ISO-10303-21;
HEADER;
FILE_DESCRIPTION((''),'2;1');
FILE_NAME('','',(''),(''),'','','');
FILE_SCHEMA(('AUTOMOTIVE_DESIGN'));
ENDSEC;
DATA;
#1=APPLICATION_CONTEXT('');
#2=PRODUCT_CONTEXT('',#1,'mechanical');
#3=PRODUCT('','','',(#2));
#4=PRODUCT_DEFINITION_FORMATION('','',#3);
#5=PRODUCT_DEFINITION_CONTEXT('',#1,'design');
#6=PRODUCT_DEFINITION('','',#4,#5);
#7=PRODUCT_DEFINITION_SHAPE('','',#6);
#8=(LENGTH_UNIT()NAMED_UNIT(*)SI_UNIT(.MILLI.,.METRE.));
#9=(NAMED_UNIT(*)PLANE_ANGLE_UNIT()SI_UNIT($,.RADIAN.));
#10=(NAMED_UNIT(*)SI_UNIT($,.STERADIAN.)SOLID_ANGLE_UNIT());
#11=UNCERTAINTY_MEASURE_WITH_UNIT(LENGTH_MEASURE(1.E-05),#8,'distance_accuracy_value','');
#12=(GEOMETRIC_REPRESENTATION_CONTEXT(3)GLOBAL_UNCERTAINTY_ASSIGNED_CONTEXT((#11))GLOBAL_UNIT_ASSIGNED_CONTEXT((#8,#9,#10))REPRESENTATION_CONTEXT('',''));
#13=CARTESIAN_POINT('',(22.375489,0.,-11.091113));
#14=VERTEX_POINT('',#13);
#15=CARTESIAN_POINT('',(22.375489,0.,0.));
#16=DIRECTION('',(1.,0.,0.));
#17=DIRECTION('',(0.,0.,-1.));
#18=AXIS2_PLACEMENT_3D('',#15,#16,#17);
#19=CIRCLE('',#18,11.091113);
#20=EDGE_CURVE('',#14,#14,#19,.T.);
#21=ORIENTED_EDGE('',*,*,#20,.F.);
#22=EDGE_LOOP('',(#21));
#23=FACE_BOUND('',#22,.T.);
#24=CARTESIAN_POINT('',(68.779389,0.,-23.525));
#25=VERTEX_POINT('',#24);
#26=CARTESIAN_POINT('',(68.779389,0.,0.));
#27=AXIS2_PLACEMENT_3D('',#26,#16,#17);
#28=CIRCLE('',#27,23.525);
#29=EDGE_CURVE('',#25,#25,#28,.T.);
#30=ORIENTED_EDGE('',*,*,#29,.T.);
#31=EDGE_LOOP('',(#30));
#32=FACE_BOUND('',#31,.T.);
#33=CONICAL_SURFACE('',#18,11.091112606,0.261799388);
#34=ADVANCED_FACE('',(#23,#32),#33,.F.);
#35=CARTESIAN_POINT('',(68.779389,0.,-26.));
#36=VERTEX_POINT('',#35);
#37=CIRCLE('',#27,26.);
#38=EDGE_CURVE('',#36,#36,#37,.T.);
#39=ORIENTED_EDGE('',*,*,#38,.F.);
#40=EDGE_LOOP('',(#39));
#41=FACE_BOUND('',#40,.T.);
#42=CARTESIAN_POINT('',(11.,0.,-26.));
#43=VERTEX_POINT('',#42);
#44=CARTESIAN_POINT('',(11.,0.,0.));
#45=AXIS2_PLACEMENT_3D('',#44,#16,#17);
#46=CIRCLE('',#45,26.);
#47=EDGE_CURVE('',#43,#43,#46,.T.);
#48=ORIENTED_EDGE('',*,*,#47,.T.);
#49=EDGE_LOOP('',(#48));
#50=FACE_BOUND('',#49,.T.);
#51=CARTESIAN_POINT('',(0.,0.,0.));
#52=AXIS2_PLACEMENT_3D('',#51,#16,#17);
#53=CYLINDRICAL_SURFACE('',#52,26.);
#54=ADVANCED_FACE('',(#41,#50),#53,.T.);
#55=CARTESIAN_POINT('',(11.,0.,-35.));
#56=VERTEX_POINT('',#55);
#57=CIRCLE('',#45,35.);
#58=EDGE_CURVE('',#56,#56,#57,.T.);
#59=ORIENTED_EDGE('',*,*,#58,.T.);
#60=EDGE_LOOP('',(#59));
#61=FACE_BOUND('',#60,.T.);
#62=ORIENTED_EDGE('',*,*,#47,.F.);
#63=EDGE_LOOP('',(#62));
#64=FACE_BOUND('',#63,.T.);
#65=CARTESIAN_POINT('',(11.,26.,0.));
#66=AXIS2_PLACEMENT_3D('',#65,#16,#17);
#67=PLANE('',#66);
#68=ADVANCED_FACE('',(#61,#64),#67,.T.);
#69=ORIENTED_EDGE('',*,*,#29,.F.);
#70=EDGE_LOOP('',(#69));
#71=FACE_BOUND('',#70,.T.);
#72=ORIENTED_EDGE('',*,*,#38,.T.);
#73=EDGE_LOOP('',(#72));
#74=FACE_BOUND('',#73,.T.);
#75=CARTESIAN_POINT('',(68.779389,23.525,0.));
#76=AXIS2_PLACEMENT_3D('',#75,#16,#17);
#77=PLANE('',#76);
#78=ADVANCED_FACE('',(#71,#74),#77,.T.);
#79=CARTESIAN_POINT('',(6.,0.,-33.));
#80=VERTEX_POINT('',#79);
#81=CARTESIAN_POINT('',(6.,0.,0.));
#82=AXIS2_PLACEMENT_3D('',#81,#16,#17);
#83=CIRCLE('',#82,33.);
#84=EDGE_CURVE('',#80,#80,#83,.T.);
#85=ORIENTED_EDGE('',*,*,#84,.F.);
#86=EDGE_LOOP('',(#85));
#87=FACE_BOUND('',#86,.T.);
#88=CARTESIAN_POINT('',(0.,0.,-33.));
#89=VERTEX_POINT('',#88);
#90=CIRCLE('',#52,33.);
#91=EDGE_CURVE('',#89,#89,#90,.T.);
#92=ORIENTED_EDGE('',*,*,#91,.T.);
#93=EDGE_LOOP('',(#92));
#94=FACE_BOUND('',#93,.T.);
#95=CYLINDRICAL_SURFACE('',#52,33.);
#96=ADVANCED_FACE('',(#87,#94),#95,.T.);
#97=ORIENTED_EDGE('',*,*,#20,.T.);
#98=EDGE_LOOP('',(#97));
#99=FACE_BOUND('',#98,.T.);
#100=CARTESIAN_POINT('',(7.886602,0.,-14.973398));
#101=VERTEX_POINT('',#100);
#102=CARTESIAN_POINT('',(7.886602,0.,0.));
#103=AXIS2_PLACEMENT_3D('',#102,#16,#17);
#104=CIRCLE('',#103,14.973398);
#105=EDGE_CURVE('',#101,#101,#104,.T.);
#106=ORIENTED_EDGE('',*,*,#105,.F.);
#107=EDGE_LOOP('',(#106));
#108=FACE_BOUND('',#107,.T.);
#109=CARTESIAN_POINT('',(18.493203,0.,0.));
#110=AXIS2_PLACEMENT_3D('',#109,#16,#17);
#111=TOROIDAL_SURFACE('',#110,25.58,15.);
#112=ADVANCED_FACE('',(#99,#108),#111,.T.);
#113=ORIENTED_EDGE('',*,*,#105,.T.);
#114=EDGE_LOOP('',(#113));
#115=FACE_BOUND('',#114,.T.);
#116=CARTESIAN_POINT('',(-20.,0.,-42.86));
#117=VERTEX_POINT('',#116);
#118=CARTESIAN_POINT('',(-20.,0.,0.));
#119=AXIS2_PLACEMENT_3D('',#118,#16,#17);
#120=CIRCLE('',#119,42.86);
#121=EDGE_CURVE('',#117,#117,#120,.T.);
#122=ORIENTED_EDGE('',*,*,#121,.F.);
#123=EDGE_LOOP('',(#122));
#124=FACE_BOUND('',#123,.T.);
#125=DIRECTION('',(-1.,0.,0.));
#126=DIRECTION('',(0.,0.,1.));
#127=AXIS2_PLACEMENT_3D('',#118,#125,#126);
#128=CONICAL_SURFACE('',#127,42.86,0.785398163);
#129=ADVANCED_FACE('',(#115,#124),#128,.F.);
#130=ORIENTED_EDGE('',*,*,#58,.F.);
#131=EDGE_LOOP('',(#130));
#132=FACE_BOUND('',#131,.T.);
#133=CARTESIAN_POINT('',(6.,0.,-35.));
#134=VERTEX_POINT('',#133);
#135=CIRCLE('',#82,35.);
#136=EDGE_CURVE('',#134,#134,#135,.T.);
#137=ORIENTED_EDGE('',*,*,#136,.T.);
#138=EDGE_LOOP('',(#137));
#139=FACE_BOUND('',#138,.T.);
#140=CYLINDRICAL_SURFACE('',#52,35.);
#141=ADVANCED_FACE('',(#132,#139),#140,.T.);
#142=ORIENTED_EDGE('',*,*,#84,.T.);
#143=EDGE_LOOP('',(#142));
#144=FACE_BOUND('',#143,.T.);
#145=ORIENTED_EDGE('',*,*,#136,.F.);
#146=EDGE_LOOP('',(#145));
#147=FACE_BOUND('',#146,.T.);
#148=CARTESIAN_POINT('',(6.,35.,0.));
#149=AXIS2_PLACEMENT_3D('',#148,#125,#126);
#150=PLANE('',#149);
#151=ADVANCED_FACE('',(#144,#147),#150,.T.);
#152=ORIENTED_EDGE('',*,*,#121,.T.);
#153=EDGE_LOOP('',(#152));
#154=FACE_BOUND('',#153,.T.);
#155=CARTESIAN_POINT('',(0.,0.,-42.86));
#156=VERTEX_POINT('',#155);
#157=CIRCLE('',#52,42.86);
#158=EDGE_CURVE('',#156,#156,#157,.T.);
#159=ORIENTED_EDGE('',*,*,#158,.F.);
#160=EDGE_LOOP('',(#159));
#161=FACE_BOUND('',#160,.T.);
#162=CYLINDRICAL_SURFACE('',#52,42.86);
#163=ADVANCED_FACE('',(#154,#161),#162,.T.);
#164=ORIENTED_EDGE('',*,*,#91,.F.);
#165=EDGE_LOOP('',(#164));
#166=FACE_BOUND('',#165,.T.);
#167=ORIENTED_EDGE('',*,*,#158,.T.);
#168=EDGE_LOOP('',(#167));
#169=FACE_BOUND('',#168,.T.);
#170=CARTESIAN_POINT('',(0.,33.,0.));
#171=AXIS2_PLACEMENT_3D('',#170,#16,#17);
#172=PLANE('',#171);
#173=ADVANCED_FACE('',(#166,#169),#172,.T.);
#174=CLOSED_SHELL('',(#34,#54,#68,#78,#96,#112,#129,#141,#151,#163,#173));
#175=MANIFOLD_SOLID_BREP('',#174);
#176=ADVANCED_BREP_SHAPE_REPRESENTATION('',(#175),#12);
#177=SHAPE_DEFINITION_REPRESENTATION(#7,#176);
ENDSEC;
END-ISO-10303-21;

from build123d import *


with BuildPart() as part:
    # Sketch1 → Revolve1 (revolve)
    with BuildSketch(Plane.XY):
        with BuildLine():
            Line((-20, 42.86), (7.886601718, 14.973398282))
            ThreePointArc((7.886601718, 14.973398282), (14.610917759, 11.091112606), (22.375489112, 11.091112606))
            Line((22.375489112, 11.091112606), (68.779388603, 23.525))
            Line((68.779388603, 23.525), (68.779388603, 26))
            Line((68.779388603, 26), (11, 26))
            Line((11, 26), (11, 35))
            Line((11, 35), (6, 35))
            Line((6, 35), (6, 33))
            Line((6, 33), (0, 33))
            Line((0, 33), (0, 42.86))
            Line((0, 42.86), (-20, 42.86))
        make_face()
    revolve(axis=Axis((0, 0, 0), (-1, 0, 0)))


solid = part.part
